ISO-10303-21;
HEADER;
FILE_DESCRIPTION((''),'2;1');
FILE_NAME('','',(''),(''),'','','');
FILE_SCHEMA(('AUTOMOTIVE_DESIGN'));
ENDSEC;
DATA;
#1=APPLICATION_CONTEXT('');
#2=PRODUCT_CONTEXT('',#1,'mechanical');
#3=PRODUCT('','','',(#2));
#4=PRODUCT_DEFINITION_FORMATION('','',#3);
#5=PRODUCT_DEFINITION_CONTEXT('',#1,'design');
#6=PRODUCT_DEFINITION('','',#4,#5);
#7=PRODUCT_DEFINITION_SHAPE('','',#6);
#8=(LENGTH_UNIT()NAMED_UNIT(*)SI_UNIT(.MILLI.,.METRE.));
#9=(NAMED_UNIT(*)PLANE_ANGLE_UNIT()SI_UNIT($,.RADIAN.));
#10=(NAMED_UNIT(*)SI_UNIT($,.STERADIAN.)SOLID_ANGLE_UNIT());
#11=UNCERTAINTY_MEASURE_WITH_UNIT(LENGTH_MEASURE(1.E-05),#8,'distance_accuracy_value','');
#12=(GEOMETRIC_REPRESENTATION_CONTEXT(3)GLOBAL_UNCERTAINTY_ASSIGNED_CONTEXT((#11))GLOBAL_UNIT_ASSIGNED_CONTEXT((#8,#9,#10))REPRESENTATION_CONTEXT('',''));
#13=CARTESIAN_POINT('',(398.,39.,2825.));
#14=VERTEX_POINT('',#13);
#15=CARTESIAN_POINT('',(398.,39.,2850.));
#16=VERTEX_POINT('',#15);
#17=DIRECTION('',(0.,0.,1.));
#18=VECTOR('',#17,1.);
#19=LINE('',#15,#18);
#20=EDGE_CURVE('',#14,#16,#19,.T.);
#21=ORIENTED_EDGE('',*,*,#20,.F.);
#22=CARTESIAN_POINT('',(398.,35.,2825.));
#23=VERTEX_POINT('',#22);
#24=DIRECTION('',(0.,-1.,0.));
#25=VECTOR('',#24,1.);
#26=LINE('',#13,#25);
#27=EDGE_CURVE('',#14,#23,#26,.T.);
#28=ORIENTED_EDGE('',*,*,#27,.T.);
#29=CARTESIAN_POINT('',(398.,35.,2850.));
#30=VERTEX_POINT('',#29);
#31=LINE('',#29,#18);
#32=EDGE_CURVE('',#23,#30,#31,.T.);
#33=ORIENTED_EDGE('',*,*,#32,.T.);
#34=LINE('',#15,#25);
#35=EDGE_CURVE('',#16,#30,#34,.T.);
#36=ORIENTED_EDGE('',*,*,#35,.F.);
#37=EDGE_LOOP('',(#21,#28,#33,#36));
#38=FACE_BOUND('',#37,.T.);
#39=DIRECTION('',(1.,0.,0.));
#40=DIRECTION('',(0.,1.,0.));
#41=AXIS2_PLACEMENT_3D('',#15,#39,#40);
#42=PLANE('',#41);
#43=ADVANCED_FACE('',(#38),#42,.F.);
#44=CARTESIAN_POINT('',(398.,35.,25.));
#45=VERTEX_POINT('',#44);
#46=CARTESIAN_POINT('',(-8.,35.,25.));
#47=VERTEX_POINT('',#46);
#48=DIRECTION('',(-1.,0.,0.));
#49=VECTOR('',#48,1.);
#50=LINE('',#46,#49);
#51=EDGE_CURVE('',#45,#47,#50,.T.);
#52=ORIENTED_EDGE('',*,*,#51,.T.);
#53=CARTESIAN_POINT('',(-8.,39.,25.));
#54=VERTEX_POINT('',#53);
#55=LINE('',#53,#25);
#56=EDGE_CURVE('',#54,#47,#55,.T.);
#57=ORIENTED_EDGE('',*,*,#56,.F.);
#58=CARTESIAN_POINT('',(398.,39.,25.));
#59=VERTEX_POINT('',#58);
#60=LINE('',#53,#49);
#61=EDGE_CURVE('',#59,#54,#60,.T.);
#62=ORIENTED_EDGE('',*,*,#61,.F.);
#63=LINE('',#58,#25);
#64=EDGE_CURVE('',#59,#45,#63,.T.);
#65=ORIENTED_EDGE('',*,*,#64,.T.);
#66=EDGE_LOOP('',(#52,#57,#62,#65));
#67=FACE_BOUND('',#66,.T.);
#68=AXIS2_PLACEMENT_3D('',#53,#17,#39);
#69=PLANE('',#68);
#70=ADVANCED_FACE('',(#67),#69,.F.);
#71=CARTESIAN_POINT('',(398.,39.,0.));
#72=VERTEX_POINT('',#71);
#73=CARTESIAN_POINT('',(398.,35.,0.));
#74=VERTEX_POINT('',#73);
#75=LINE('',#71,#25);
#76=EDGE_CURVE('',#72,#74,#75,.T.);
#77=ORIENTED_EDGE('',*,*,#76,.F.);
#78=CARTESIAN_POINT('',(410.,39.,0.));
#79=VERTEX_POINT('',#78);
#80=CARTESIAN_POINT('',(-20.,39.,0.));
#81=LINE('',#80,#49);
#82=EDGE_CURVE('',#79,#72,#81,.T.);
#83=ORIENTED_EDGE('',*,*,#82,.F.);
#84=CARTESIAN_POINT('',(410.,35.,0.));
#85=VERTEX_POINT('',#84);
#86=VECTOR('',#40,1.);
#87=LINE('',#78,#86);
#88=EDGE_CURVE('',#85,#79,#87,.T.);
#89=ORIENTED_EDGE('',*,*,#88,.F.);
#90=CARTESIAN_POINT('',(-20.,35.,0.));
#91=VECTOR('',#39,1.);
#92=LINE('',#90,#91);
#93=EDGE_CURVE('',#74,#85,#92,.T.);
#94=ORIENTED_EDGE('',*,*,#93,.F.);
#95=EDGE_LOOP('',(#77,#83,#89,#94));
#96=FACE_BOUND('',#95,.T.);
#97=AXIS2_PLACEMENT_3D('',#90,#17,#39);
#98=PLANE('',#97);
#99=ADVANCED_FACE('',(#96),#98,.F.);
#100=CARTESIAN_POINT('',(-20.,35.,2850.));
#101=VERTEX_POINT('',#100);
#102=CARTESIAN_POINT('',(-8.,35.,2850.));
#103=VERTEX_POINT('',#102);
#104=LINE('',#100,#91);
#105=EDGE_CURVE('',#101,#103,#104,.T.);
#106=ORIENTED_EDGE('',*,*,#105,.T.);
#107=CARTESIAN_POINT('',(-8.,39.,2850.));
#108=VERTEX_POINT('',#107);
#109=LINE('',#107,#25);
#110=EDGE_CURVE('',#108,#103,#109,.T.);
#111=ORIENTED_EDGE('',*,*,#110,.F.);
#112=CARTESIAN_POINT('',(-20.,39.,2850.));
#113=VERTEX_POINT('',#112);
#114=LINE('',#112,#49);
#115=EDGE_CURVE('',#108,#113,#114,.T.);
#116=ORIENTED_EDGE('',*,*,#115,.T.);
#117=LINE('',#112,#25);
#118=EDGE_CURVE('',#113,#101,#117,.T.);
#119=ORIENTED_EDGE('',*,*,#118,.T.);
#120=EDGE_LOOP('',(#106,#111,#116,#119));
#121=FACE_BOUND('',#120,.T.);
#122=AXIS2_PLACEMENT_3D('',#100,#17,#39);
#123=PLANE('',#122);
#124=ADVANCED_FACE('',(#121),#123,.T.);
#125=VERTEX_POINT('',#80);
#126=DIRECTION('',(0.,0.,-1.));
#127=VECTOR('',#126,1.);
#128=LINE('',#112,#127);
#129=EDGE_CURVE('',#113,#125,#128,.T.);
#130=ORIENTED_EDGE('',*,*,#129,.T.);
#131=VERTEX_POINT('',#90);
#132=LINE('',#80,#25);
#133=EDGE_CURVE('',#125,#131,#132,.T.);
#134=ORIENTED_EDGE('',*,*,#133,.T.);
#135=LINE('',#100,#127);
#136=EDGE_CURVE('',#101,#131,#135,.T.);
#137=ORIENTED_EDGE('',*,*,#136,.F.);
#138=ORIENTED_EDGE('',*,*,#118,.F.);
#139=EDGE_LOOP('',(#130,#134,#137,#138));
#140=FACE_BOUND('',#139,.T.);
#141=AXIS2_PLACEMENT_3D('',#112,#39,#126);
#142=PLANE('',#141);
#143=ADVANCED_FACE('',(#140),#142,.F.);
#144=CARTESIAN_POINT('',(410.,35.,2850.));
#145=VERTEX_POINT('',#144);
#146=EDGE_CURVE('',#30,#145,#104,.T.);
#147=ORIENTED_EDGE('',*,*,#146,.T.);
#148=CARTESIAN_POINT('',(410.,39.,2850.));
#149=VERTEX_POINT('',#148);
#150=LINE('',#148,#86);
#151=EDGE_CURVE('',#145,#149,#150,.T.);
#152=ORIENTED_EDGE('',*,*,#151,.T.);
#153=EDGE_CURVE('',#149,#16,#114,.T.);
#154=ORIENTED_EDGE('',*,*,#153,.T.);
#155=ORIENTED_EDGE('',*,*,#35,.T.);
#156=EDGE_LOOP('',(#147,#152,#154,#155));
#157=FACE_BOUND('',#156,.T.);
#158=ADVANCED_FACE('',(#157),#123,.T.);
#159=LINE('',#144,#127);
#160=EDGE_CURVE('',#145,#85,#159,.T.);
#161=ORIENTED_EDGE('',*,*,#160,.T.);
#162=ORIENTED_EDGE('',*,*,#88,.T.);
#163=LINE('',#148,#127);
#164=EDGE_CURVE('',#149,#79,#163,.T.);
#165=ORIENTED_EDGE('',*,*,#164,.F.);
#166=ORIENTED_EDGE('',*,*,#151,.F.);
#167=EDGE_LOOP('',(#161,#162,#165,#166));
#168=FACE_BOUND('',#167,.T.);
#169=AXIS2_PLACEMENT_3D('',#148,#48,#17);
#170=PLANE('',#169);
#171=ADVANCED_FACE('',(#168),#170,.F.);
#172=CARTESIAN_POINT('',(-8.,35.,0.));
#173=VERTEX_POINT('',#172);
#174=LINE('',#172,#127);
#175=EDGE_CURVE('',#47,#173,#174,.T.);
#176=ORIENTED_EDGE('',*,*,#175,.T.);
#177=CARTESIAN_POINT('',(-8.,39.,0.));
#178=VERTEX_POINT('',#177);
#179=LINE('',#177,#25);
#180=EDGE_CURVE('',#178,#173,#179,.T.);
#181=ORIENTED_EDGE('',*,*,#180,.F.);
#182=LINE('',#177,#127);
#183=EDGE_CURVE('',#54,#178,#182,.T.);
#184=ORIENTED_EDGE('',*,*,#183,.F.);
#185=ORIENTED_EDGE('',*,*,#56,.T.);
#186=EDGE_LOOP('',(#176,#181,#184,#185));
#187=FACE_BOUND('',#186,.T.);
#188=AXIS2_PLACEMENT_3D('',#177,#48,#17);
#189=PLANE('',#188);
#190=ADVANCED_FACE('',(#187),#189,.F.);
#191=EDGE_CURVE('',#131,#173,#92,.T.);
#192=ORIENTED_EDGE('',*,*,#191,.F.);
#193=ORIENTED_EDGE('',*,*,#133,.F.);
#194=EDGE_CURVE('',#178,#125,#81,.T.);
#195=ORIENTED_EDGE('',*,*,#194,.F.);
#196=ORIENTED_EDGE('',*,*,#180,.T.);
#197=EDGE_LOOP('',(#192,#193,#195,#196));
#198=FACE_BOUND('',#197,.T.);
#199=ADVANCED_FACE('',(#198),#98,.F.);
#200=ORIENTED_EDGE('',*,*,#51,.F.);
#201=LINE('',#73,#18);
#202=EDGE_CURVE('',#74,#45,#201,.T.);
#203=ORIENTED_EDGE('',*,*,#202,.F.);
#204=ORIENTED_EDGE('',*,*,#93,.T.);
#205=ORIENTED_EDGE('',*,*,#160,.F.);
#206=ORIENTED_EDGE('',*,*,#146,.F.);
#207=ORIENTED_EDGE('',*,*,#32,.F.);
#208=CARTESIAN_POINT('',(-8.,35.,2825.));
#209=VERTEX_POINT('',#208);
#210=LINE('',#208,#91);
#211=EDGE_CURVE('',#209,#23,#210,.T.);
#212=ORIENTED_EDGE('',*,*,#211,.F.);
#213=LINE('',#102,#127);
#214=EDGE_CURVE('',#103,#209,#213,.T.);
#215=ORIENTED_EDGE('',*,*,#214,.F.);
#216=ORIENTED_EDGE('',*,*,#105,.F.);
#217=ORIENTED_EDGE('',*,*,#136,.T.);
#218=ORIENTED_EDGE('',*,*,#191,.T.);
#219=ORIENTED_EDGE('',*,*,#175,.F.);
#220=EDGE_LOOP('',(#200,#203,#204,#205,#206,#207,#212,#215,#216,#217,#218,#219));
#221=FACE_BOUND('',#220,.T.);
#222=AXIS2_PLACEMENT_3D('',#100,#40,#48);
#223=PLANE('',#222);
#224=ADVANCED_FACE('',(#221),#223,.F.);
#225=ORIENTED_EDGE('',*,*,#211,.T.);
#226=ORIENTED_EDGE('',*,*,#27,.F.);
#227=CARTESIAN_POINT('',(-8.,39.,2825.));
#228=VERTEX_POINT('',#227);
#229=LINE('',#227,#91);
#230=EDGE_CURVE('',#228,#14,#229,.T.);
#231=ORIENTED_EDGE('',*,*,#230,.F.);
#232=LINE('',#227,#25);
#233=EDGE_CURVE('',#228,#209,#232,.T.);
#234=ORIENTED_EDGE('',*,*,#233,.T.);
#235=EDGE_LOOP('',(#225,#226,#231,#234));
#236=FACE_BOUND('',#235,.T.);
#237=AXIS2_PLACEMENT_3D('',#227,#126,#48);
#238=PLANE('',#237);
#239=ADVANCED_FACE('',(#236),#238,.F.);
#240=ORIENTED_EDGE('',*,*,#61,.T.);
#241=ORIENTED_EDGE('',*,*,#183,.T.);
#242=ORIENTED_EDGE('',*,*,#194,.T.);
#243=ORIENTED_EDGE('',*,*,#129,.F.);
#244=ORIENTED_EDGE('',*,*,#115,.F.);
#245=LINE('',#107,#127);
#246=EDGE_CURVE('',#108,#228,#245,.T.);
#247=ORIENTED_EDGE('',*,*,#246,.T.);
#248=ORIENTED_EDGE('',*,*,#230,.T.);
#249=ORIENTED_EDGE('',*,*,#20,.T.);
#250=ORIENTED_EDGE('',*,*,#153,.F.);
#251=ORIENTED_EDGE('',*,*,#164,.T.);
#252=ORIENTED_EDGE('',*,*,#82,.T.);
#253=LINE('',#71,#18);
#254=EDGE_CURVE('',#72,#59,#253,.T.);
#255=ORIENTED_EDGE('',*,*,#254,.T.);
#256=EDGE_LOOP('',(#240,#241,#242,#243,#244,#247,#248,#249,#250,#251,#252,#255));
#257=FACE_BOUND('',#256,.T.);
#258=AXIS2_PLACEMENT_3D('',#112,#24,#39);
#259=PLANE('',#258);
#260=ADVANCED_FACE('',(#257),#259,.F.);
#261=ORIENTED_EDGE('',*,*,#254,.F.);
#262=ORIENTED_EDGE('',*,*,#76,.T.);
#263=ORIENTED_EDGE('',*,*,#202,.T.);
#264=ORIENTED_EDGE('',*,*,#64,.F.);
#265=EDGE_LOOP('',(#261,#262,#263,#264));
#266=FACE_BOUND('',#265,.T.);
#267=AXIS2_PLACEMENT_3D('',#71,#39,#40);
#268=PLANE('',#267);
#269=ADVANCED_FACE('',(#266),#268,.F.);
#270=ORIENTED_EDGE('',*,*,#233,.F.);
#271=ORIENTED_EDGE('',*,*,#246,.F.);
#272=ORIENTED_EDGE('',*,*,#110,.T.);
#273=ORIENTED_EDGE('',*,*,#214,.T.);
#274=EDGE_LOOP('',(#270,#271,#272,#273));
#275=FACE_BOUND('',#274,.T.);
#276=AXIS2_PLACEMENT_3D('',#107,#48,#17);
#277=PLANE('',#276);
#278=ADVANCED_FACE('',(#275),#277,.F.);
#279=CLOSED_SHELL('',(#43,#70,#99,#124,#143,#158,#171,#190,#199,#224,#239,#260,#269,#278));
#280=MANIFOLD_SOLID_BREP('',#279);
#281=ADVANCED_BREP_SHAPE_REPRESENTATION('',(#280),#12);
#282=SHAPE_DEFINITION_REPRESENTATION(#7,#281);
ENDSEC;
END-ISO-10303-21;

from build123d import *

# Parameters (mm, degrees)
ESQUISSE1_W             = 430
ESQUISSE1_H             = 4
BOSS_EXTRU_1_DEPTH      = 2850
ESQUISSE10_W            = 406
ESQUISSE10_H            = 25
ENL_V_MAT_EXTRU_1_DEPTH = 2880.342980612


with BuildPart() as part:
    # Esquisse1 → Boss.-Extru.1 (new body)
    with BuildSketch(Plane.XY):
        with Locations((195, 37)):
            Rectangle(ESQUISSE1_W, ESQUISSE1_H)
    extrude(amount=BOSS_EXTRU_1_DEPTH)

    # Esquisse10 → Enlèv. mat.-Extru.1 (cut, through all)
    with BuildSketch(Plane.XZ.offset(-35)):
        with Locations((195, 12.5)):
            Rectangle(ESQUISSE10_W, ESQUISSE10_H)
        with Locations((195, 2837.5)):
            Rectangle(ESQUISSE10_W, ESQUISSE10_H)
    extrude(amount=-ENL_V_MAT_EXTRU_1_DEPTH, mode=Mode.SUBTRACT)


solid = part.part
